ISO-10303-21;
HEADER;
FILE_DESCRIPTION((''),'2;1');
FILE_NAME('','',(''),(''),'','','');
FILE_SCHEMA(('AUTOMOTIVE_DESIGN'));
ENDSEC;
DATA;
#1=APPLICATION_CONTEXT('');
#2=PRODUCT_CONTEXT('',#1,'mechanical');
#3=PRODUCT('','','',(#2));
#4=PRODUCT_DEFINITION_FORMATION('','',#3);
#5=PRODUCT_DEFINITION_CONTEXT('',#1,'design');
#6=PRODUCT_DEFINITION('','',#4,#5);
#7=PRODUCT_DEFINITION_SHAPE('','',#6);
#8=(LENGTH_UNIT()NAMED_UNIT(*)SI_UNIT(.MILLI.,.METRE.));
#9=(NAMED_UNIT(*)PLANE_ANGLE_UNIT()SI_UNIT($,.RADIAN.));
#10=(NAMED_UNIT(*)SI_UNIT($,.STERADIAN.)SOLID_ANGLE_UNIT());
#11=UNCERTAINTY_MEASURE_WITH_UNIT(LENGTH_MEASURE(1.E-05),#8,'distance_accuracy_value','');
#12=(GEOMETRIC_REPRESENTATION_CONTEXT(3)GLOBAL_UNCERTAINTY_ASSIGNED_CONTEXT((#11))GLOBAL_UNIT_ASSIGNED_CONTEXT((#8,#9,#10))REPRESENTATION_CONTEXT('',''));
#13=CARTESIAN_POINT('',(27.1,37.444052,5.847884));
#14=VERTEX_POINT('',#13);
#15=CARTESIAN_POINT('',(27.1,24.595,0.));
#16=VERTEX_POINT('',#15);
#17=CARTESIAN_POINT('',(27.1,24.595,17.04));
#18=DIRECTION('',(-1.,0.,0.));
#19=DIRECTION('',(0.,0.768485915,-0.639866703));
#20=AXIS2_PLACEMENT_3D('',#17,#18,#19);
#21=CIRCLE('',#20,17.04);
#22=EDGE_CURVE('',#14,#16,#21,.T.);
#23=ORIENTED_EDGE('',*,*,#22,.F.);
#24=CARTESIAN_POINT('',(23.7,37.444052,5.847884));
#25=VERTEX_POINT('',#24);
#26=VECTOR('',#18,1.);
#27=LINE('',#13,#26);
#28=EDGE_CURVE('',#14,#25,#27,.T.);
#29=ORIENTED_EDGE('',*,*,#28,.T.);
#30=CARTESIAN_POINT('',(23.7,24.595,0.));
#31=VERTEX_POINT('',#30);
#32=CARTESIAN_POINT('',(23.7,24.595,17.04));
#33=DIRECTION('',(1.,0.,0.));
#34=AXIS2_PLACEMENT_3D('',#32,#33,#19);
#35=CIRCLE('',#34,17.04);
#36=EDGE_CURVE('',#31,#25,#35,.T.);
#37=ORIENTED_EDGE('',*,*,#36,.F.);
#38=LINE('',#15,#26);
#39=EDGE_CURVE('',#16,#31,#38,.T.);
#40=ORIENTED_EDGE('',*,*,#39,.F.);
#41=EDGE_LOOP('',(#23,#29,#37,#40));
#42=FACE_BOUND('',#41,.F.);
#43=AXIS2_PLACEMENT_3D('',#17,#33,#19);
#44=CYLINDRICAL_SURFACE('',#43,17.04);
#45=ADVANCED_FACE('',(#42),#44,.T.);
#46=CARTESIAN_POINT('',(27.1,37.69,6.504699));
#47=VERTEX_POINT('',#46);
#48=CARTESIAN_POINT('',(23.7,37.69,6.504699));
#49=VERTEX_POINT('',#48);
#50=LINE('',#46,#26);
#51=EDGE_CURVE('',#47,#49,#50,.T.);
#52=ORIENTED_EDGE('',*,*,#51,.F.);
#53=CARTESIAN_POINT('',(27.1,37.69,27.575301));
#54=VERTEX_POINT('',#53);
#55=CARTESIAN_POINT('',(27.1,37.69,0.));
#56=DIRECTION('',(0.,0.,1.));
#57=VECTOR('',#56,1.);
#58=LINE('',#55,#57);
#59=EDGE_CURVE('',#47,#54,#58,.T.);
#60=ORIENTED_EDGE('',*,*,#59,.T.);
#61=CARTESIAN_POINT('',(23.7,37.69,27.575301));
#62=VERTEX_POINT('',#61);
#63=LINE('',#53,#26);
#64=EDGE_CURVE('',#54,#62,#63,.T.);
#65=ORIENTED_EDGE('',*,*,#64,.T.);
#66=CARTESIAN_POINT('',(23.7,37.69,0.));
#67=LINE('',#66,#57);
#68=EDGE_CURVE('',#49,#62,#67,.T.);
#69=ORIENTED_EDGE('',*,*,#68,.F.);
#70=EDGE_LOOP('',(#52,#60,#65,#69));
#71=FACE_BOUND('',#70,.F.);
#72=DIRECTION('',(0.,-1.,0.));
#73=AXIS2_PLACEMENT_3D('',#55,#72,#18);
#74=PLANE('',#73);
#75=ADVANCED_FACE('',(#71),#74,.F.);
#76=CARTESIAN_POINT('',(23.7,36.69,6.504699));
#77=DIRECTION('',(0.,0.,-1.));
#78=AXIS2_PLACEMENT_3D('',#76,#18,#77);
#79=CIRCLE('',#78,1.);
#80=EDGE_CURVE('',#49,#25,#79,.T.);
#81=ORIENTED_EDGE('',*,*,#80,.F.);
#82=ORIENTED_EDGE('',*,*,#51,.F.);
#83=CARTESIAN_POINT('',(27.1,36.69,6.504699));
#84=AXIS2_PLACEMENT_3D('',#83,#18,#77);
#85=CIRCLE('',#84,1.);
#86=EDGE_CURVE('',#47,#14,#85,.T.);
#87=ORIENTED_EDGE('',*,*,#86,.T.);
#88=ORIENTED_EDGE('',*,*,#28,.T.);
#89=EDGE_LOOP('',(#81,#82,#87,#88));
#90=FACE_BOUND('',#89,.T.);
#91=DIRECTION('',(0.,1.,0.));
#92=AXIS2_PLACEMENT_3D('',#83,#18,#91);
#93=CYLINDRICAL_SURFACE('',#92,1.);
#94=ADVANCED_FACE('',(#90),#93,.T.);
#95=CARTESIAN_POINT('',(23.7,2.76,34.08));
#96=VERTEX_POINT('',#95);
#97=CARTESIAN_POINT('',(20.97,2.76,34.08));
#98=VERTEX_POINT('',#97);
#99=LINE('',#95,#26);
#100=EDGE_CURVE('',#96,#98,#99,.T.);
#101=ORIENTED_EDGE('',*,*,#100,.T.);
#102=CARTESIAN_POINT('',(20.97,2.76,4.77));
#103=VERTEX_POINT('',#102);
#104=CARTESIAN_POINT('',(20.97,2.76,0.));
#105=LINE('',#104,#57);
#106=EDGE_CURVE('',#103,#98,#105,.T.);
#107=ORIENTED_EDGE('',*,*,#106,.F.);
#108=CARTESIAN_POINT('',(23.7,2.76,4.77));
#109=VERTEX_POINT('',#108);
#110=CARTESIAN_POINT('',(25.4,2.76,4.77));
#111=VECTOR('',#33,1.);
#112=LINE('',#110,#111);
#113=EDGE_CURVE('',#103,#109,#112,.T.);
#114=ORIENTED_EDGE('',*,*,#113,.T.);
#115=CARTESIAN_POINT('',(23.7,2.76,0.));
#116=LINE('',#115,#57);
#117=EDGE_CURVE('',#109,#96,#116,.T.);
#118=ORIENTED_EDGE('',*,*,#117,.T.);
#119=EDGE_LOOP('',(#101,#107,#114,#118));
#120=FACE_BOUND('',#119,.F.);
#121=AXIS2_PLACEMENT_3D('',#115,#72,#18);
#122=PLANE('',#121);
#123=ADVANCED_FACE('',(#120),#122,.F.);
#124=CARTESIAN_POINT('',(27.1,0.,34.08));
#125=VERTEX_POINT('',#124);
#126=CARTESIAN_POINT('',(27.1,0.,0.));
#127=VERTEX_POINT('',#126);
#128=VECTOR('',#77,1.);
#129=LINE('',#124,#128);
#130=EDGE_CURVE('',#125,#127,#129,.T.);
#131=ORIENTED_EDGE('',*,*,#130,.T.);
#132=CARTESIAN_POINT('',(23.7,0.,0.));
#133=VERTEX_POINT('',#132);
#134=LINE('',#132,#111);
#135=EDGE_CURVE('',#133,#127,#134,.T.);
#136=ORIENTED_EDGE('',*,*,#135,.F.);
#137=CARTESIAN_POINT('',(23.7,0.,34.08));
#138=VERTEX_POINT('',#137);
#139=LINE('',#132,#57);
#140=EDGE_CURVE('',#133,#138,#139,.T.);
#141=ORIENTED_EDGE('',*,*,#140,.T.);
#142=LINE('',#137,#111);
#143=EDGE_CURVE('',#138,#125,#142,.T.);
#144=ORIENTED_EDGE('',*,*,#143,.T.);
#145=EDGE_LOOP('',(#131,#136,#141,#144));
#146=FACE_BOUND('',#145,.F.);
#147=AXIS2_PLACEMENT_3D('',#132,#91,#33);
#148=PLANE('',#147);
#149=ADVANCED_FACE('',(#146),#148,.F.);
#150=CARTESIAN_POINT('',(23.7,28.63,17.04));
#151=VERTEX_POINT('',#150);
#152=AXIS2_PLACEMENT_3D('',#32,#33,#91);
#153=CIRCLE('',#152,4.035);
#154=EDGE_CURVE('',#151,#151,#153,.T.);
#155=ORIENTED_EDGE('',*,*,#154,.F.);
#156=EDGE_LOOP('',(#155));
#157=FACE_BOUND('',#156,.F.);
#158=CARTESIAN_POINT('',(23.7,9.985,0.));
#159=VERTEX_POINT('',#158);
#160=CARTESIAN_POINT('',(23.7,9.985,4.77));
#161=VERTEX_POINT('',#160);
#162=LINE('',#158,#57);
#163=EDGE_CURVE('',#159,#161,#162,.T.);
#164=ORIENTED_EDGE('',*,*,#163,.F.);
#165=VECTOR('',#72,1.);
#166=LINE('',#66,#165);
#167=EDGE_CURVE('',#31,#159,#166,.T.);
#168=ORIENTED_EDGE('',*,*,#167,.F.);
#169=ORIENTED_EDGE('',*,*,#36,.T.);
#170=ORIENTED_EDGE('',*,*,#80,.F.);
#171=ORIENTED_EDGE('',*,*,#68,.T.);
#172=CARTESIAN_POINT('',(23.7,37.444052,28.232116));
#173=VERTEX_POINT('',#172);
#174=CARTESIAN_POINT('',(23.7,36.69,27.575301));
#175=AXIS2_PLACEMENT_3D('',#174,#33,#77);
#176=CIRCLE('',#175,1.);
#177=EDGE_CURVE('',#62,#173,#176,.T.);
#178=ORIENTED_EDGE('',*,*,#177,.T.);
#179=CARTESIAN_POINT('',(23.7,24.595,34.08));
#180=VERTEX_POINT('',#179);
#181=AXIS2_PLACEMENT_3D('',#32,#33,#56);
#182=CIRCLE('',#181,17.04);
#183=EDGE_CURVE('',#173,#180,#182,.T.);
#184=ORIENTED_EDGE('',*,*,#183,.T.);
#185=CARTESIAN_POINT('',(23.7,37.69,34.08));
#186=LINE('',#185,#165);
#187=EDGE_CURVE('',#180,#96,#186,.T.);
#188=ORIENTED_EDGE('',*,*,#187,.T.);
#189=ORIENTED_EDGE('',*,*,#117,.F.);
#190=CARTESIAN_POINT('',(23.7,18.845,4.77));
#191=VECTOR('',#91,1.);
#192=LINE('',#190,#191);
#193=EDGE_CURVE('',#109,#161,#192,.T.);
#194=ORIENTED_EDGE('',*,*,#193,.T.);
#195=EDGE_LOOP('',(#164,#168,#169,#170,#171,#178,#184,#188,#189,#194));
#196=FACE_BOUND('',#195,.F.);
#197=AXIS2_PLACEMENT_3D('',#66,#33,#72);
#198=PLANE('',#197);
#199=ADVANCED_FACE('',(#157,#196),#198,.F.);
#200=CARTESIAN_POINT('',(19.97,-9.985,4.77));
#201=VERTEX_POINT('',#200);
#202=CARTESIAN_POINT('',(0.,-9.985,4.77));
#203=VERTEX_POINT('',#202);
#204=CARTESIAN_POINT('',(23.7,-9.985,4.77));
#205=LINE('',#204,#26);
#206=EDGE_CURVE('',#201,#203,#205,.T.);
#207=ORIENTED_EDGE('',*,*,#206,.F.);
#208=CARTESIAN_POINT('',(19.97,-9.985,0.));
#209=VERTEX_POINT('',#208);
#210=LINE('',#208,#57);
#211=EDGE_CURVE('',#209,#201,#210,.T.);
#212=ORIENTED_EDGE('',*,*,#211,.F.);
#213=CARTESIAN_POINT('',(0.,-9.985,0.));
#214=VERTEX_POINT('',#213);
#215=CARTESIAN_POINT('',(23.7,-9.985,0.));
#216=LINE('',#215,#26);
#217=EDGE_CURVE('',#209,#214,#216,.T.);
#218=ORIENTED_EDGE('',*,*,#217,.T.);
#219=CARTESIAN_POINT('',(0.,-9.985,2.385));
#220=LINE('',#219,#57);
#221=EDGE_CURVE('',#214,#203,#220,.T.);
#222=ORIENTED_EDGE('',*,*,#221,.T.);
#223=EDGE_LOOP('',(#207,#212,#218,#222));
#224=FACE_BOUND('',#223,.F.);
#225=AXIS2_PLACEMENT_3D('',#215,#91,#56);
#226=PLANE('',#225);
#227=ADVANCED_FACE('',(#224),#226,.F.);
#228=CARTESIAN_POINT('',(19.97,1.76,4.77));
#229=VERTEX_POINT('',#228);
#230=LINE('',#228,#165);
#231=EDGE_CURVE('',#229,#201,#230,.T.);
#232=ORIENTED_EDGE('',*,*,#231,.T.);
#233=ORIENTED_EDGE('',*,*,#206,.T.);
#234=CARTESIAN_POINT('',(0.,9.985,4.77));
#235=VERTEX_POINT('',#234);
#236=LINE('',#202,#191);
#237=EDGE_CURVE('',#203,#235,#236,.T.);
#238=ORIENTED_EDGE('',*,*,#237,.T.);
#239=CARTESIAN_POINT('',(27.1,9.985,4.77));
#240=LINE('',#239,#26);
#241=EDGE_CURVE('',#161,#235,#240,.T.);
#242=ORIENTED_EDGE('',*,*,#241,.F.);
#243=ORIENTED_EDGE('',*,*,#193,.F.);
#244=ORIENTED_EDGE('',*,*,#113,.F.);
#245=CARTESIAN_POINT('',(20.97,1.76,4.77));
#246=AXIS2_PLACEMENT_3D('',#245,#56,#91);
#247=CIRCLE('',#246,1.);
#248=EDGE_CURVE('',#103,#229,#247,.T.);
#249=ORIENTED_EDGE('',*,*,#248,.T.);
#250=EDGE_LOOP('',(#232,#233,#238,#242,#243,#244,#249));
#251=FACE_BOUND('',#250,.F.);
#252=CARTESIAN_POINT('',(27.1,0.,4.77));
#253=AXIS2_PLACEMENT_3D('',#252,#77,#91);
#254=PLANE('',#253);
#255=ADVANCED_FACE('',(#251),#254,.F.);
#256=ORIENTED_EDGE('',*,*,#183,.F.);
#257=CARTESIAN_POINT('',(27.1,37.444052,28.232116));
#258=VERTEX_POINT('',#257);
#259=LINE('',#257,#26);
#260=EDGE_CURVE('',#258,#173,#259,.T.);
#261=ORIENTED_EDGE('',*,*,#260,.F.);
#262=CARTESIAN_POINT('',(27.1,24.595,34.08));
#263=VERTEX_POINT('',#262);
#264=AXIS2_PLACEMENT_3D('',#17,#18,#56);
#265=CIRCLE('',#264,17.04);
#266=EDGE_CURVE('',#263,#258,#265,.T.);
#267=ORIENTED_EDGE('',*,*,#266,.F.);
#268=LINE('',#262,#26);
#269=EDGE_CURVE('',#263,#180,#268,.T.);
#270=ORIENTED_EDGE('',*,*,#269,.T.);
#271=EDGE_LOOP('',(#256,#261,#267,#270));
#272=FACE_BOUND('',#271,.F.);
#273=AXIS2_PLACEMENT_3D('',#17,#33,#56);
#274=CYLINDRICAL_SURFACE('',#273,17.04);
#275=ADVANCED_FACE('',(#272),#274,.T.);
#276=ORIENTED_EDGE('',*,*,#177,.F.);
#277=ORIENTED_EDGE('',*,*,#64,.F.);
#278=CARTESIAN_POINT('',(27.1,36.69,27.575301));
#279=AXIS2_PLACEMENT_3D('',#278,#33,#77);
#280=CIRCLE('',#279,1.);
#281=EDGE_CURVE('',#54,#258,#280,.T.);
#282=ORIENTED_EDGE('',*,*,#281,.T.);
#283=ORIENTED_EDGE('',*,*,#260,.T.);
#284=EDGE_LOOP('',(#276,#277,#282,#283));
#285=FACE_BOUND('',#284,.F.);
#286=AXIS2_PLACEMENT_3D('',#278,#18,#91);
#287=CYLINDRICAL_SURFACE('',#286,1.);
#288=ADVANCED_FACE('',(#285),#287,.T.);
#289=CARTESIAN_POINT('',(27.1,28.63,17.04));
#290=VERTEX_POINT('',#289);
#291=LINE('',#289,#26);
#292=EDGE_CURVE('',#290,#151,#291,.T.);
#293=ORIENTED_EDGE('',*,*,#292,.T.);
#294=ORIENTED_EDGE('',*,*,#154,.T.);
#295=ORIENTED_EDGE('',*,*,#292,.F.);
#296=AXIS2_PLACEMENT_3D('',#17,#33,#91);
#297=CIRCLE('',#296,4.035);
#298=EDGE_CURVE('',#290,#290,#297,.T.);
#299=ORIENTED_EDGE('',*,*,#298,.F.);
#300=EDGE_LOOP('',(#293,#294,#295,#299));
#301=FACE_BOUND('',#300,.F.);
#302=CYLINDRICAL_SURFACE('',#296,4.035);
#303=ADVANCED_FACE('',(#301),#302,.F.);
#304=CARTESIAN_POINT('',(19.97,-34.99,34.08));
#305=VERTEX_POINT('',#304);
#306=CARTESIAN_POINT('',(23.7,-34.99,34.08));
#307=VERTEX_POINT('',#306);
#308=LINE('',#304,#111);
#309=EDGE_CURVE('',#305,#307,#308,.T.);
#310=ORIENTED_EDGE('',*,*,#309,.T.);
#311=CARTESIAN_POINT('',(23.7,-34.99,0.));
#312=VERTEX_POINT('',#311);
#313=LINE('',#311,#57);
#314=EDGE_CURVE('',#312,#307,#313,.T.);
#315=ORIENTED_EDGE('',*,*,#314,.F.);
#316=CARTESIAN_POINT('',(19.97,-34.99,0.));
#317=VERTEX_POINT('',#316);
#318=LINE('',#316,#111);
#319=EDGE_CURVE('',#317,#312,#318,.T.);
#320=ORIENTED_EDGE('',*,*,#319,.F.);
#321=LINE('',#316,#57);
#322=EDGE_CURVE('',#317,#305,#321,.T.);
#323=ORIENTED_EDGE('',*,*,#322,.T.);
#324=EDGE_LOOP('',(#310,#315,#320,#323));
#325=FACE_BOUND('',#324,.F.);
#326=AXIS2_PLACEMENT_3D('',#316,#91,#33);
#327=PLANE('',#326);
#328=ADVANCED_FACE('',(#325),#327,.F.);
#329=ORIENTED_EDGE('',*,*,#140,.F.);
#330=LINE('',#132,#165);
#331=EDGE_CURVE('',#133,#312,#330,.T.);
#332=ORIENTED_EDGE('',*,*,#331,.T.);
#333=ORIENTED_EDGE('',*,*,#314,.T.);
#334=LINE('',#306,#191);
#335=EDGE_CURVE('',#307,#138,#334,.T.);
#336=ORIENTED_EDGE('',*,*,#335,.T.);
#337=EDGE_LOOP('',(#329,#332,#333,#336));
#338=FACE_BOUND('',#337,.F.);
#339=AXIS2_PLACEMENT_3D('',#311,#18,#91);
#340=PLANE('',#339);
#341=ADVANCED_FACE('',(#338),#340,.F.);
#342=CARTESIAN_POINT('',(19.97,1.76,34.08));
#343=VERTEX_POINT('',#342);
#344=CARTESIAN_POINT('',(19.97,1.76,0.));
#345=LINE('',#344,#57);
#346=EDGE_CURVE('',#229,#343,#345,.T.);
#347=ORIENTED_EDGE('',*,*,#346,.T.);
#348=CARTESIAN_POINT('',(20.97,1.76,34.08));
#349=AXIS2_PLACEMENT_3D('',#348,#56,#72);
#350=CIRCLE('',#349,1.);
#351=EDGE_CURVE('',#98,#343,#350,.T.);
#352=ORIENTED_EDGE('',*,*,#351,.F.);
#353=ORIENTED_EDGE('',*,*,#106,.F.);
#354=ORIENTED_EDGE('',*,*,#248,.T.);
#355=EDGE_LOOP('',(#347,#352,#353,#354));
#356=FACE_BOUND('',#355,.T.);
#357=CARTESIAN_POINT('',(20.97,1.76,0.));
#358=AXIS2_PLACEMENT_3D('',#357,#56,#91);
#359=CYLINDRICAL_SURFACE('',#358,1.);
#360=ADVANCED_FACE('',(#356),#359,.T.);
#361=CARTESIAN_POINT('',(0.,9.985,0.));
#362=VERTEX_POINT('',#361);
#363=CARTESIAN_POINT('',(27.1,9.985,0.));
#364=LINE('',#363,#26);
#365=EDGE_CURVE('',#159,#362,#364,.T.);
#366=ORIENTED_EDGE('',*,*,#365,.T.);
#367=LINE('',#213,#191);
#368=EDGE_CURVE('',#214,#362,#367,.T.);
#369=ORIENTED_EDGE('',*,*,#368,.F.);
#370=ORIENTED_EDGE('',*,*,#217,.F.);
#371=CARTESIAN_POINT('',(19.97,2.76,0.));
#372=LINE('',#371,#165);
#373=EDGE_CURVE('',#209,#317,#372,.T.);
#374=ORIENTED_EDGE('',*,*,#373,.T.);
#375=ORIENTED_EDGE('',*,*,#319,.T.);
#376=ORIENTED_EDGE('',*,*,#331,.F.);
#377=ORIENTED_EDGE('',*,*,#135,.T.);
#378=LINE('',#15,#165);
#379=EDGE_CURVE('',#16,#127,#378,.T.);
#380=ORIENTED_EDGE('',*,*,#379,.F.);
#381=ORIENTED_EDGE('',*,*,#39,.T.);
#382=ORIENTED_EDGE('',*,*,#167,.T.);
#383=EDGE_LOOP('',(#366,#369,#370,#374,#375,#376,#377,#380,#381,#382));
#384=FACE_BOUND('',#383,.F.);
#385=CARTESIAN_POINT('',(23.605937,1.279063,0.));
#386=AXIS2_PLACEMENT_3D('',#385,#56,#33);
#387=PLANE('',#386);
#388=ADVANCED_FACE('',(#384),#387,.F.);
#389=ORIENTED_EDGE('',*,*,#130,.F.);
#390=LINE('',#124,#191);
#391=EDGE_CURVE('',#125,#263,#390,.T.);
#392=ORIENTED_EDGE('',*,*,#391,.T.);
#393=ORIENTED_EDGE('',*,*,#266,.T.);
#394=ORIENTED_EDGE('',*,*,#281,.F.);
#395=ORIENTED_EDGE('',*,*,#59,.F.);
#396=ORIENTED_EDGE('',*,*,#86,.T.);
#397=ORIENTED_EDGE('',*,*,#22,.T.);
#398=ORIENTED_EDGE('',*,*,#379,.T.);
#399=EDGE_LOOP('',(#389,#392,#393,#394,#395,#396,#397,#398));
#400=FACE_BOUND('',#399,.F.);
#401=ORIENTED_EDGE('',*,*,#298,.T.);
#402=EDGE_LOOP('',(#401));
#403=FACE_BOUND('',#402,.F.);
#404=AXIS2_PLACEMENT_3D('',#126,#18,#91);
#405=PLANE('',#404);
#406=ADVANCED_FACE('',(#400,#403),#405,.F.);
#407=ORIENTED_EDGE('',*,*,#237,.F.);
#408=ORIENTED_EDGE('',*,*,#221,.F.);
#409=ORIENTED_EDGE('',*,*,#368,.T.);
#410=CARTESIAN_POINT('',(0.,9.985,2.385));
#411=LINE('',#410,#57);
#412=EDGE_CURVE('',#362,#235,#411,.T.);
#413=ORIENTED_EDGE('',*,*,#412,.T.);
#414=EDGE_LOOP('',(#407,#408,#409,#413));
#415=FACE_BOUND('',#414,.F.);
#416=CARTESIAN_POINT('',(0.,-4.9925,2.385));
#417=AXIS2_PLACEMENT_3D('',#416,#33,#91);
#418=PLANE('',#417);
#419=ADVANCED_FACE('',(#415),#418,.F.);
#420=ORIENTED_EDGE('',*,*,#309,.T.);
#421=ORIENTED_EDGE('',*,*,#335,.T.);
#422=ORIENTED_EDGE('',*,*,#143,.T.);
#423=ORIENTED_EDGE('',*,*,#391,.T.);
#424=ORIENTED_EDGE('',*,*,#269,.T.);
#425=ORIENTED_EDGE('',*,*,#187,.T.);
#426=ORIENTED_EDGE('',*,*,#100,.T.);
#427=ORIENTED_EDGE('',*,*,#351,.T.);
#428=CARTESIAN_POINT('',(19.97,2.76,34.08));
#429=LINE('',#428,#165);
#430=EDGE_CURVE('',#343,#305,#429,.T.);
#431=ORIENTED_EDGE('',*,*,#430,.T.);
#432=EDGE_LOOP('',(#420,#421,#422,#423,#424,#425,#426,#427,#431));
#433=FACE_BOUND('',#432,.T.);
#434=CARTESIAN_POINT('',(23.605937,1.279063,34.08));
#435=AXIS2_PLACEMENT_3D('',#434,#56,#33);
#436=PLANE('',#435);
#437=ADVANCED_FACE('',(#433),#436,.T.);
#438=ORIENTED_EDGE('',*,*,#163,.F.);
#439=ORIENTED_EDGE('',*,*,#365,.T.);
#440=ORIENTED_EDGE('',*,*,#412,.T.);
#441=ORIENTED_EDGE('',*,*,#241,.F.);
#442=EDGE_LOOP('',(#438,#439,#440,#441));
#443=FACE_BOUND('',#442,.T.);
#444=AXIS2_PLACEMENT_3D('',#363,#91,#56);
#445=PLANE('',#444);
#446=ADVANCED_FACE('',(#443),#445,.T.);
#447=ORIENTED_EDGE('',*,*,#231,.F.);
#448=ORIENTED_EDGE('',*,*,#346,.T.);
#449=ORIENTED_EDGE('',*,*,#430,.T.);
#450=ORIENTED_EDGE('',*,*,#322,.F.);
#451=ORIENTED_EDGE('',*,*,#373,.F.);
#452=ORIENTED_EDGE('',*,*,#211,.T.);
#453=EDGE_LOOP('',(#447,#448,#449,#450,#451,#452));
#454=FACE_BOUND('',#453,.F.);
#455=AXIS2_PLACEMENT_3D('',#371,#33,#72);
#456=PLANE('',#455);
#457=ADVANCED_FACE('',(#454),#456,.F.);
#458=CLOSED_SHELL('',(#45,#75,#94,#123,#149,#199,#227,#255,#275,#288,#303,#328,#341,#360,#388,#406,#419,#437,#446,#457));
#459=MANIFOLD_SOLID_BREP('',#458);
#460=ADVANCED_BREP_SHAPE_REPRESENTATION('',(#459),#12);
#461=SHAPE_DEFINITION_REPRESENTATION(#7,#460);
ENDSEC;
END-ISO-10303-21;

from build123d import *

# Parameters (mm, degrees)
F1_DEPTH = 34.08
F2_R     = 4.035
F3_DEPTH = 7.131
F4_R     = 1
F2_W     = 9.985
F2_H     = 4.77
F5_DEPTH = 27.1
F6_START = -3.4
F6_DEPTH = 23.7


with BuildPart() as f1:
    # F0 (on Top) → F1 (new body)
    with BuildSketch(Plane.XY):
        Polygon((27.1, 37.69), (23.7, 37.69), (23.7, 2.76), (19.97, 2.76), (19.97, -34.99), (23.7, -34.99), (23.7, 0), (27.1, 0), align=None)
    extrude(amount=F1_DEPTH)

    # F2 (on face) → F3 (cut, through all)
    with BuildSketch(Plane.YZ.offset(27.1)):
        with Locations((24.595, 17.04)):
            Circle(F2_R)
        with BuildLine():
            Line((37.69, 34.08), (24.595, 34.08))
            ThreePointArc((24.595, 34.08), (31.8257980304, 32.4697491828), (37.69, 27.9433286202))
            Line((37.69, 27.9433286202), (37.69, 34.08))
        make_face()
        with BuildLine():
            Line((37.69, 0), (37.69, 6.1366713798))
            ThreePointArc((37.69, 6.1366713798), (31.8257980304, 1.6102508172), (24.595, 0))
            Line((24.595, 0), (37.69, 0))
        make_face()
    extrude(amount=-F3_DEPTH, mode=Mode.SUBTRACT)

    # F4
    f4_edges = [f1.edges().sort_by_distance(p)[0] for p in [
        (25.4, 37.69, 6.136671),
        (25.4, 37.69, 27.943329),
        (19.97, 2.76, 17.04),
    ]]
    fillet(f4_edges, radius=F4_R)

    # F2 (on face) → F5 (join, through all)
    with BuildSketch(Plane.YZ.offset(27.1)):
        with Locations((4.9925, 2.385)):
            Rectangle(F2_W, F2_H)
    extrude(amount=-F5_DEPTH)

    # F2 (on face) → F6 (join)
    with BuildSketch(Plane.YZ.offset(27.1).offset(F6_START)):
        with Locations((-4.9925, 2.385)):
            Rectangle(F2_W, F2_H)
    extrude(amount=-F6_DEPTH)


solid = f1.part
